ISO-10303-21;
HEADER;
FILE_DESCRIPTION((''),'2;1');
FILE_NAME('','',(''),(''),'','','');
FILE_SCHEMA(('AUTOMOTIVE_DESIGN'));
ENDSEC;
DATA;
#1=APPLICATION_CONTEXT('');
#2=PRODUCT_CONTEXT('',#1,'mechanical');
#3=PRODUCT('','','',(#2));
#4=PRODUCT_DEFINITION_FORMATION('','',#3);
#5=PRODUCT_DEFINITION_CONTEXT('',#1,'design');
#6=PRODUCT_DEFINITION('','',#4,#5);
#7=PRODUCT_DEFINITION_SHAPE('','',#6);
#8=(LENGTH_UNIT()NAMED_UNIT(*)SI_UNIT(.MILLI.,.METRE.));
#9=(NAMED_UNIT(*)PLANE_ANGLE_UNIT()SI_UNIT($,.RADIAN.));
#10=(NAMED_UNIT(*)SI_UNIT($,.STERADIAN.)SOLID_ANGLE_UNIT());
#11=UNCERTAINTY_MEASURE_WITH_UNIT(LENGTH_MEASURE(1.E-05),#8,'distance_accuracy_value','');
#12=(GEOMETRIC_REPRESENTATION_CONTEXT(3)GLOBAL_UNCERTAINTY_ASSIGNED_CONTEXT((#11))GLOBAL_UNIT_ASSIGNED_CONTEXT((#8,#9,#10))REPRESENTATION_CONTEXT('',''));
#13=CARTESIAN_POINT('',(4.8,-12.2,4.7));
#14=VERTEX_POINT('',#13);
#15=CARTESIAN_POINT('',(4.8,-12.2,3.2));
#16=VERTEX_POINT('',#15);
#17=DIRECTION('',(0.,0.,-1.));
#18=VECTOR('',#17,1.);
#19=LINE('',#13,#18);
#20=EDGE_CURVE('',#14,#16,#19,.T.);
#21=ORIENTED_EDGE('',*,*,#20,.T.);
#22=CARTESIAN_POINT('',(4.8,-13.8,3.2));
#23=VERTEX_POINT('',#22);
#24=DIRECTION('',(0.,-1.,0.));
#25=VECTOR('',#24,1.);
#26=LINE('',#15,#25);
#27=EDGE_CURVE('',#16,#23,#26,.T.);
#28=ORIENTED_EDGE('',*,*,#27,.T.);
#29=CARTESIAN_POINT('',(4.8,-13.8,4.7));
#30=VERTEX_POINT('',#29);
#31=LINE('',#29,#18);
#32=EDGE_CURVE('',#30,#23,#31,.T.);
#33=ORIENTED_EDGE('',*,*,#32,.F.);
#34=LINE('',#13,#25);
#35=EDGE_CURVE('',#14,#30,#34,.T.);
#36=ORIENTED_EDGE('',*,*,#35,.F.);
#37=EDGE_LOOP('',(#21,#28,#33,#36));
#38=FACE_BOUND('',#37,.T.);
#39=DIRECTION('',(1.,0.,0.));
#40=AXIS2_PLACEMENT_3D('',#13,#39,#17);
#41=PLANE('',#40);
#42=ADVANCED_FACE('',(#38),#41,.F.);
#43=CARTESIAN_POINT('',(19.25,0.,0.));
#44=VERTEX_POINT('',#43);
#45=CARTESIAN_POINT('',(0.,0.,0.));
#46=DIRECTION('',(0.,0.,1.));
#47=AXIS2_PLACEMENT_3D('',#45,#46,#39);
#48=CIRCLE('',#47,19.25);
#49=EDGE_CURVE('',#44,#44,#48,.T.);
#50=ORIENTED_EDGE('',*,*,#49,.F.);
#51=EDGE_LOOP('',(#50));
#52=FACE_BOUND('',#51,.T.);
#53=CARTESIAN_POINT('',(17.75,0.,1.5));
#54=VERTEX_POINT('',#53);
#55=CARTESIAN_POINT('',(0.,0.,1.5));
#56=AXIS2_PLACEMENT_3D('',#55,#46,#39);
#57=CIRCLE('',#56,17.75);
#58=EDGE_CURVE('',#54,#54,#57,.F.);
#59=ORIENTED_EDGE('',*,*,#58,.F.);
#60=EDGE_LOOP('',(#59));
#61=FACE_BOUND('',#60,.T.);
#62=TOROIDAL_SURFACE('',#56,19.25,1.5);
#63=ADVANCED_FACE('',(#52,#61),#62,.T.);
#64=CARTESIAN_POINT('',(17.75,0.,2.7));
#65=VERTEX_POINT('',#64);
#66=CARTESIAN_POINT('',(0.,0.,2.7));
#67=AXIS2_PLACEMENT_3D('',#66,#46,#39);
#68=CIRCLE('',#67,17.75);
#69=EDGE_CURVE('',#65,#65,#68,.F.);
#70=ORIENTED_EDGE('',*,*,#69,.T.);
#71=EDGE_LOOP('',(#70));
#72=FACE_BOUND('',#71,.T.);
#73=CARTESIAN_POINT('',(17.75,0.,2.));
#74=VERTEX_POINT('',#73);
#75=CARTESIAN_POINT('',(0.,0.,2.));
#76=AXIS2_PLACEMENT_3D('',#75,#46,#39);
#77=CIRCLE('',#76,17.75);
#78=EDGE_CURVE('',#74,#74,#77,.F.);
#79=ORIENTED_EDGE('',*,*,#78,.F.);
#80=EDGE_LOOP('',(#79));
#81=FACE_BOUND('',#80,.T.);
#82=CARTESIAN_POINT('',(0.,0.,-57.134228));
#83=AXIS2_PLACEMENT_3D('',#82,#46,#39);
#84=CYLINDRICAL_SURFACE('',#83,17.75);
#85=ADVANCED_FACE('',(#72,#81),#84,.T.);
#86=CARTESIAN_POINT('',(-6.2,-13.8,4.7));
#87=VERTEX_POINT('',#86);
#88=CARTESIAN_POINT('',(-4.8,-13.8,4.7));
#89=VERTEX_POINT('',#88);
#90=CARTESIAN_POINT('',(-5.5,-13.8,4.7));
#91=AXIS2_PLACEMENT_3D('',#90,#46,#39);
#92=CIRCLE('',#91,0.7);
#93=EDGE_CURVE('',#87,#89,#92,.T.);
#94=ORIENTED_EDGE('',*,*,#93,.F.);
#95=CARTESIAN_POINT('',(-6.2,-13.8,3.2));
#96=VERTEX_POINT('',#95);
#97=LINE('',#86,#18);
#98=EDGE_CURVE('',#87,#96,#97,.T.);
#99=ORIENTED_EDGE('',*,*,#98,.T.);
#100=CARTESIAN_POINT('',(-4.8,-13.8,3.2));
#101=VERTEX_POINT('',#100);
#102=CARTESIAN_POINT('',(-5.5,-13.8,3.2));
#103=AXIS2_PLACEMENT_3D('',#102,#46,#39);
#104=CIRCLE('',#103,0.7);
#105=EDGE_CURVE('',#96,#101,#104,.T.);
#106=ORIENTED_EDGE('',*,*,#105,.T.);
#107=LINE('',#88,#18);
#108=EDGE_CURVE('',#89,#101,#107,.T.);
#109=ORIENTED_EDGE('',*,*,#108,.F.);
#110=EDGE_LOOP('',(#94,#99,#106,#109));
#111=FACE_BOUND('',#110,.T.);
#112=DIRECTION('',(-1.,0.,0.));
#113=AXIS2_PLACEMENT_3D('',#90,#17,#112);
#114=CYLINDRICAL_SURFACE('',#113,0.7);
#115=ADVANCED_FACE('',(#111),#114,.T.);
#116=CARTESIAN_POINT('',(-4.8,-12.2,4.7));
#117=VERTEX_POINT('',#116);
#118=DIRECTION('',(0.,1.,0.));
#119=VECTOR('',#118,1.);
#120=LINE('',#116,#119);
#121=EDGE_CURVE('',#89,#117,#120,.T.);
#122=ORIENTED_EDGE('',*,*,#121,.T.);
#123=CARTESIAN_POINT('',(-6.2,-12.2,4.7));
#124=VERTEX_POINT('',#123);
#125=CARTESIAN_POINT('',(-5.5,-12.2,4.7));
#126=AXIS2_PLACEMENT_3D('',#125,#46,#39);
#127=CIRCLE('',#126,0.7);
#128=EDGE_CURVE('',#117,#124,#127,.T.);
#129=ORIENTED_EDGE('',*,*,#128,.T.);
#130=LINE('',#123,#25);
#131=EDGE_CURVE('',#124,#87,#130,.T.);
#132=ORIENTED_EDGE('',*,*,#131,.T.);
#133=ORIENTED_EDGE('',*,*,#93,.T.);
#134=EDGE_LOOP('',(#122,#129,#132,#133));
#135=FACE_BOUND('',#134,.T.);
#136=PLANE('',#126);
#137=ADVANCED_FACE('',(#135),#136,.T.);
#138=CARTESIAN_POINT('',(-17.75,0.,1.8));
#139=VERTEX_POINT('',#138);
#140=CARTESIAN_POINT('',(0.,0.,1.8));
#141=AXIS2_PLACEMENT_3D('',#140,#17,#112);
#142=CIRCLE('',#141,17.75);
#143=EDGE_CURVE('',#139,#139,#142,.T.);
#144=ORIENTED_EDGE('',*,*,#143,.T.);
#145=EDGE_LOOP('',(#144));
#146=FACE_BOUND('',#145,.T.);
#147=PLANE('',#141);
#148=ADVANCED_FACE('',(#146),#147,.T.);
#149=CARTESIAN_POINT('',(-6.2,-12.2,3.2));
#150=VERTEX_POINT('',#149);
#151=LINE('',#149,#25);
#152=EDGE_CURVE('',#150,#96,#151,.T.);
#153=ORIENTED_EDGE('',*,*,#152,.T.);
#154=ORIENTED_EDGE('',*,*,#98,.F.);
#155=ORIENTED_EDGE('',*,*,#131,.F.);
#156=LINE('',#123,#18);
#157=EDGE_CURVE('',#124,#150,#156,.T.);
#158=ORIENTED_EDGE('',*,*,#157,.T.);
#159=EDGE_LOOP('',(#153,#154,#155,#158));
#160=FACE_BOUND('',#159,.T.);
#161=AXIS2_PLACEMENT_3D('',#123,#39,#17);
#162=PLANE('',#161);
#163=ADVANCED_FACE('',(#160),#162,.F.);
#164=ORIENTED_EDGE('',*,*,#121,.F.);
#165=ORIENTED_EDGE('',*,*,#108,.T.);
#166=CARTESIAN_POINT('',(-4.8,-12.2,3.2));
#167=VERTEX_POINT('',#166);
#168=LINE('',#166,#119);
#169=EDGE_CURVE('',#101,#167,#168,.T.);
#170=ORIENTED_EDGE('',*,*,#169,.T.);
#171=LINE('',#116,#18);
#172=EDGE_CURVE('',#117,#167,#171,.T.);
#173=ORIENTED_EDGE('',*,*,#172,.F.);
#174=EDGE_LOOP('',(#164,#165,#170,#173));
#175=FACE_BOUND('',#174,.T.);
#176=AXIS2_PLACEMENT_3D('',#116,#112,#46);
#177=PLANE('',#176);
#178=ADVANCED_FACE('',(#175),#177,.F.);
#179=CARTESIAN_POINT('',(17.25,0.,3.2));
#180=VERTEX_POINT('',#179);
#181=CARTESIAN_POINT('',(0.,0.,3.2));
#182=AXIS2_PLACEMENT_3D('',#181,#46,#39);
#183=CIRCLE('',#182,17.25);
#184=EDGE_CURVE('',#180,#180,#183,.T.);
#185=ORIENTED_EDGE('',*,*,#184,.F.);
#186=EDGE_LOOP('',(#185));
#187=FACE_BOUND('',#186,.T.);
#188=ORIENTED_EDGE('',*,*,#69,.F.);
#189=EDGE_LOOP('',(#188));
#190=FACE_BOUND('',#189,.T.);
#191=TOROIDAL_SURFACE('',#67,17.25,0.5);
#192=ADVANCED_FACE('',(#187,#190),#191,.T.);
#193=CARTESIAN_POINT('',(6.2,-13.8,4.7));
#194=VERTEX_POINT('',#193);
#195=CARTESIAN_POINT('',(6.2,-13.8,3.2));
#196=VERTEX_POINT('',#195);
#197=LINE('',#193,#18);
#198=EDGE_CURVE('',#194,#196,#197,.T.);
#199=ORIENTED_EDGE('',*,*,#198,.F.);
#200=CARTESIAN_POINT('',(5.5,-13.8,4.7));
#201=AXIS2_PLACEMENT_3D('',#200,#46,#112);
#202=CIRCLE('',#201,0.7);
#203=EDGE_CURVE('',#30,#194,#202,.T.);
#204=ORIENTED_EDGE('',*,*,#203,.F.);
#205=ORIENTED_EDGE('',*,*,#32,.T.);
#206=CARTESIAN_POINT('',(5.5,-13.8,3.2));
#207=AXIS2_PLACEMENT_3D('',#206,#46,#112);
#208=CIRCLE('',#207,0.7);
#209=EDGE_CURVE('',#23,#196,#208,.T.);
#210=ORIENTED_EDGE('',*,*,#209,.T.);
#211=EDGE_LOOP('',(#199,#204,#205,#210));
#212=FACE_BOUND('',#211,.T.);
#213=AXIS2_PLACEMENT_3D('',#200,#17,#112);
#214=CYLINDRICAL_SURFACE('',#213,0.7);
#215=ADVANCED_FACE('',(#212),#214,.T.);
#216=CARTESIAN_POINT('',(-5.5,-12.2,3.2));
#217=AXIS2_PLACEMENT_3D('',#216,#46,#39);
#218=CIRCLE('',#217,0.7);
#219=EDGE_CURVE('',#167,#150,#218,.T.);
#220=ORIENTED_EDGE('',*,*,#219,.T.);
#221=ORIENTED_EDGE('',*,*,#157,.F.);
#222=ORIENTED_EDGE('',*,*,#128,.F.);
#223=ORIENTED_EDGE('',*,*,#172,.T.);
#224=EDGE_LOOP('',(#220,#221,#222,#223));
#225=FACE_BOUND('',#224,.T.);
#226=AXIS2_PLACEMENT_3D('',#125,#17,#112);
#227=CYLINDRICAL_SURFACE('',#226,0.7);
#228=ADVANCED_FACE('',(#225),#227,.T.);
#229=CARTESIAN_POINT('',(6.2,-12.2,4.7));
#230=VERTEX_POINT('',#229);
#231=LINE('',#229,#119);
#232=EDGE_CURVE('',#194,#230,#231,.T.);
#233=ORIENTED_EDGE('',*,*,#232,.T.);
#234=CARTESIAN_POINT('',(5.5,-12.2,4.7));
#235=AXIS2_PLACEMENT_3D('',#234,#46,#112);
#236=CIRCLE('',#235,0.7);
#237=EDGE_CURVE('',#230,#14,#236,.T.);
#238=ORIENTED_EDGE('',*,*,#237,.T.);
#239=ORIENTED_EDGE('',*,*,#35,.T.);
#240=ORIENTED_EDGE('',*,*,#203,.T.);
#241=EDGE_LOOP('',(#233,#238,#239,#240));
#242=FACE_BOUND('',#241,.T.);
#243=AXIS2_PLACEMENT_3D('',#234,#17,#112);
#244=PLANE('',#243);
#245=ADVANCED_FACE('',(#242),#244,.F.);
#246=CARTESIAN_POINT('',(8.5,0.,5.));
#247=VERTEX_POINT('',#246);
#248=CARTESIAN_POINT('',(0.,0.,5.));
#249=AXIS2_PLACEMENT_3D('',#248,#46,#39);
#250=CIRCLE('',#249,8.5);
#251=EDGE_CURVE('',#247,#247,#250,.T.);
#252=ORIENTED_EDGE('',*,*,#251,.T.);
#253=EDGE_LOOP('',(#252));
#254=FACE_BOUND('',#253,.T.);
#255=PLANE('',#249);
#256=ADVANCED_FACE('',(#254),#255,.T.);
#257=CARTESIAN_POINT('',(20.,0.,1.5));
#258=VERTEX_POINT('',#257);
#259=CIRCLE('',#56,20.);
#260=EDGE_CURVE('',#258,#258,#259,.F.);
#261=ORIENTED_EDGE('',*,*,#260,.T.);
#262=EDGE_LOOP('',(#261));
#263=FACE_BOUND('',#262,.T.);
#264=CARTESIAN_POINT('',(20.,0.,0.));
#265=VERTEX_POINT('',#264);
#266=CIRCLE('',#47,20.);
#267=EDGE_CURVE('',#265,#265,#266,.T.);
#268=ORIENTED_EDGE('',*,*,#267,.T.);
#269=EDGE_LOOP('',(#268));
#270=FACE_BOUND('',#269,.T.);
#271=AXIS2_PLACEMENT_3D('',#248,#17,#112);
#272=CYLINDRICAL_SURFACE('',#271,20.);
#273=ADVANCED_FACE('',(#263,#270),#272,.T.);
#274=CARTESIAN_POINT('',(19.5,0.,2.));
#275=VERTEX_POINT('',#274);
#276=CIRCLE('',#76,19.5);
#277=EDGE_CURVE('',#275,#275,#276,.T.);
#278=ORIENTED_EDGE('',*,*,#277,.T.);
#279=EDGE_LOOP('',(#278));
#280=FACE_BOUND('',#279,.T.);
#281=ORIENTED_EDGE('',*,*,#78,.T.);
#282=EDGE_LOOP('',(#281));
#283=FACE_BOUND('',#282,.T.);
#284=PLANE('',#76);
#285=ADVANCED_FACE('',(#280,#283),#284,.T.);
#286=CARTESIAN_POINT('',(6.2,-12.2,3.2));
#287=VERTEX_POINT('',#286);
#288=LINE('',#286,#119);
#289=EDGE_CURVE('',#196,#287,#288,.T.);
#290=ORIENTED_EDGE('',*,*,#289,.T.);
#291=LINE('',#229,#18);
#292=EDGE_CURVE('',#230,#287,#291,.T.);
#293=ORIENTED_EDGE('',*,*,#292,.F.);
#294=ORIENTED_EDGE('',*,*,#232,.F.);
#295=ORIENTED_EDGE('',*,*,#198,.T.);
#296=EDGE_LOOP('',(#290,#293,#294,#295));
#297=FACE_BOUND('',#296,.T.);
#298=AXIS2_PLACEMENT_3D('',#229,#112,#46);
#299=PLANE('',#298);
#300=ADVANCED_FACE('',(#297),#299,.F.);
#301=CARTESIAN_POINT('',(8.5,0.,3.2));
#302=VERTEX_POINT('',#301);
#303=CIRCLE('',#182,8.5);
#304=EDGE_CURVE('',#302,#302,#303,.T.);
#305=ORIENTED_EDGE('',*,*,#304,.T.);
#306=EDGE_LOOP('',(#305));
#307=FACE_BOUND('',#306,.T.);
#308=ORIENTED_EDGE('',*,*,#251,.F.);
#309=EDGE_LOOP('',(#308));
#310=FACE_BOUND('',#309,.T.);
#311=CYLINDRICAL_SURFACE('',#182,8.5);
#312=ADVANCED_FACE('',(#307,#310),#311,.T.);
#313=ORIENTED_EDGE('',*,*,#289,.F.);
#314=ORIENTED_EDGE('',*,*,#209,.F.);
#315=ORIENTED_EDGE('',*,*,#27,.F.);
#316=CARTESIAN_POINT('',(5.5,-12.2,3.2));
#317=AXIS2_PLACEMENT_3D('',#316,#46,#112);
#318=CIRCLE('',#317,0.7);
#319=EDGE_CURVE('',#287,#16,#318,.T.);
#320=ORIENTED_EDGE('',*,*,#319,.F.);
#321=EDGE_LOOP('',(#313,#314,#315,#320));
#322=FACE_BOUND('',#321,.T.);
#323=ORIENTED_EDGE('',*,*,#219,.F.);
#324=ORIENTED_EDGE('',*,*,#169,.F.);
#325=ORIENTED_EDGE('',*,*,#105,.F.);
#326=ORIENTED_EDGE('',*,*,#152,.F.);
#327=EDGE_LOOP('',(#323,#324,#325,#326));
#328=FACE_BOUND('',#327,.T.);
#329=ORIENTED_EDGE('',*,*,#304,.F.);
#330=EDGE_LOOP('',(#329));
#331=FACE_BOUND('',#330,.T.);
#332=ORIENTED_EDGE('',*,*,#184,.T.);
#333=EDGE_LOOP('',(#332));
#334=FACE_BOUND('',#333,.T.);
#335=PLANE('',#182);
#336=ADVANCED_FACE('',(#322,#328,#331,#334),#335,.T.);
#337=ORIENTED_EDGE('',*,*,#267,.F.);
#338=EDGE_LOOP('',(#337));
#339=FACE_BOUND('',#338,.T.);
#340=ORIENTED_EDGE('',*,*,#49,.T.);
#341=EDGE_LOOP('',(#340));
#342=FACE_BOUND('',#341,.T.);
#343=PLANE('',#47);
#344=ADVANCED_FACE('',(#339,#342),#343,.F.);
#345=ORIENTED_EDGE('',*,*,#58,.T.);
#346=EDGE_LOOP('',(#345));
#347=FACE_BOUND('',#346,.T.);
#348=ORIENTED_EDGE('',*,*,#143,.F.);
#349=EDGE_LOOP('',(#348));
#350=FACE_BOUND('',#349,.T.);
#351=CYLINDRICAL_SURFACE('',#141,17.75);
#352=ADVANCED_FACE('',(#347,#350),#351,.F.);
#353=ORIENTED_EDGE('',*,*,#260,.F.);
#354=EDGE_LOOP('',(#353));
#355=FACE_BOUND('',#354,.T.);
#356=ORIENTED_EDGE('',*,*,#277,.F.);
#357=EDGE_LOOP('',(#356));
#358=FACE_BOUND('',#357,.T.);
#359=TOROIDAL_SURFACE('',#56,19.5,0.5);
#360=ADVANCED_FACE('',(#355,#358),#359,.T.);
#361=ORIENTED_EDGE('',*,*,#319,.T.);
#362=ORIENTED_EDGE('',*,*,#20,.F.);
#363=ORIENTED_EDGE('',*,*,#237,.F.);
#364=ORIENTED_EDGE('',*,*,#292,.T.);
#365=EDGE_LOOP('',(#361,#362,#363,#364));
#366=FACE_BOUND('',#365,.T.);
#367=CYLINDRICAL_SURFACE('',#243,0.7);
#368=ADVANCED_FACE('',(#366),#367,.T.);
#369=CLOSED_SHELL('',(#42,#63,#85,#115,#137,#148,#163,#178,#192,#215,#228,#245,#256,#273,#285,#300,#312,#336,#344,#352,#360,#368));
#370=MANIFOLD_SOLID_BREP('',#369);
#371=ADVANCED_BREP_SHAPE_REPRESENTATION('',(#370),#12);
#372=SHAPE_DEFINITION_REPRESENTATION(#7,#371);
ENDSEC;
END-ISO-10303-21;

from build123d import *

# Parameters (mm, degrees)
SKETCH_1_R          = 20
EXTRUDE_1_DEPTH     = 5
SKETCH_2_OUTSIDE_W  = 53.358
SKETCH_2_OUTSIDE_H  = 53.358
SKETCH_2_OUTSIDE_R  = 17.75
CUT_EXTRUDE_1_DEPTH = 3
SKETCH_3_OUTSIDE_W  = 53.358
SKETCH_3_OUTSIDE_H  = 53.358
SKETCH_3_OUTSIDE_R  = 8.5
CUT_EXTRUDE_2_DEPTH = 1.8
CUT_EXTRUDE_START   = -1.8
SKETCH_4_R          = 17.75
CUT_EXTRUDE_3_DEPTH = 1.8
FILLET_1_R          = 1.5
FILLET_2_R          = 0.5
FILLET_3_R          = 0.5
EXTRUDE_999_DEPTH   = 1.5


with BuildPart() as part:
    # 草图1 → 拉伸1 (new body)
    with BuildSketch(Plane.XY):
        Circle(SKETCH_1_R)
    extrude(amount=EXTRUDE_1_DEPTH)

    # 草图2 outside → 切除-拉伸1 (cut)
    with BuildSketch(Plane.XY.offset(5)):
        Rectangle(SKETCH_2_OUTSIDE_W, SKETCH_2_OUTSIDE_H)
        Circle(SKETCH_2_OUTSIDE_R, mode=Mode.SUBTRACT)
    extrude(amount=-CUT_EXTRUDE_1_DEPTH, mode=Mode.SUBTRACT)

    # 草图3 outside → 切除-拉伸2 (cut)
    with BuildSketch(Plane.XY.offset(5)):
        Rectangle(SKETCH_3_OUTSIDE_W, SKETCH_3_OUTSIDE_H)
        Circle(SKETCH_3_OUTSIDE_R, mode=Mode.SUBTRACT)
    extrude(amount=-CUT_EXTRUDE_2_DEPTH, mode=Mode.SUBTRACT)

    # 草图4 → 切除-拉伸3 (cut)
    with BuildSketch(Plane(origin=(0, 0, 0), x_dir=(-1, 0, 0), z_dir=(0, 0, -1)).offset(CUT_EXTRUDE_START)):
        with Locations(Location((0, 0, 0), (0, 0, 180))):
            Circle(SKETCH_4_R)
    extrude(amount=CUT_EXTRUDE_3_DEPTH, mode=Mode.SUBTRACT)

    # 圆角1
    fillet_1_edges = [part.edges().sort_by_distance(p)[0] for p in [
        (-17.75, 0, 0),
    ]]
    fillet(fillet_1_edges, radius=FILLET_1_R)

    # 圆角2
    fillet_2_edges = [part.edges().sort_by_distance(p)[0] for p in [
        (-20, 0, 2),
    ]]
    fillet(fillet_2_edges, radius=FILLET_2_R)

    # 圆角3
    fillet_3_edges = [part.edges().sort_by_distance(p)[0] for p in [
        (-17.75, 0, 3.2),
    ]]
    fillet(fillet_3_edges, radius=FILLET_3_R)

    # 草图5 → Extrude 999 (add)
    with BuildSketch(Plane.XY.offset(3.2)):
        with BuildLine():
            Line((-4.8, -12.2), (-4.8, -13.8))
            ThreePointArc((-4.8, -13.8), (-5.5, -14.5), (-6.2, -13.8))
            Line((-6.2, -13.8), (-6.2, -12.2))
            ThreePointArc((-6.2, -12.2), (-5.5, -11.5), (-4.8, -12.2))
        make_face()
        with BuildLine():
            Line((4.8, -12.2), (4.8, -13.8))
            ThreePointArc((4.8, -13.8), (5.5, -14.5), (6.2, -13.8))
            Line((6.2, -13.8), (6.2, -12.2))
            ThreePointArc((6.2, -12.2), (5.5, -11.5), (4.8, -12.2))
        make_face()
    extrude(amount=EXTRUDE_999_DEPTH)


solid = part.part
